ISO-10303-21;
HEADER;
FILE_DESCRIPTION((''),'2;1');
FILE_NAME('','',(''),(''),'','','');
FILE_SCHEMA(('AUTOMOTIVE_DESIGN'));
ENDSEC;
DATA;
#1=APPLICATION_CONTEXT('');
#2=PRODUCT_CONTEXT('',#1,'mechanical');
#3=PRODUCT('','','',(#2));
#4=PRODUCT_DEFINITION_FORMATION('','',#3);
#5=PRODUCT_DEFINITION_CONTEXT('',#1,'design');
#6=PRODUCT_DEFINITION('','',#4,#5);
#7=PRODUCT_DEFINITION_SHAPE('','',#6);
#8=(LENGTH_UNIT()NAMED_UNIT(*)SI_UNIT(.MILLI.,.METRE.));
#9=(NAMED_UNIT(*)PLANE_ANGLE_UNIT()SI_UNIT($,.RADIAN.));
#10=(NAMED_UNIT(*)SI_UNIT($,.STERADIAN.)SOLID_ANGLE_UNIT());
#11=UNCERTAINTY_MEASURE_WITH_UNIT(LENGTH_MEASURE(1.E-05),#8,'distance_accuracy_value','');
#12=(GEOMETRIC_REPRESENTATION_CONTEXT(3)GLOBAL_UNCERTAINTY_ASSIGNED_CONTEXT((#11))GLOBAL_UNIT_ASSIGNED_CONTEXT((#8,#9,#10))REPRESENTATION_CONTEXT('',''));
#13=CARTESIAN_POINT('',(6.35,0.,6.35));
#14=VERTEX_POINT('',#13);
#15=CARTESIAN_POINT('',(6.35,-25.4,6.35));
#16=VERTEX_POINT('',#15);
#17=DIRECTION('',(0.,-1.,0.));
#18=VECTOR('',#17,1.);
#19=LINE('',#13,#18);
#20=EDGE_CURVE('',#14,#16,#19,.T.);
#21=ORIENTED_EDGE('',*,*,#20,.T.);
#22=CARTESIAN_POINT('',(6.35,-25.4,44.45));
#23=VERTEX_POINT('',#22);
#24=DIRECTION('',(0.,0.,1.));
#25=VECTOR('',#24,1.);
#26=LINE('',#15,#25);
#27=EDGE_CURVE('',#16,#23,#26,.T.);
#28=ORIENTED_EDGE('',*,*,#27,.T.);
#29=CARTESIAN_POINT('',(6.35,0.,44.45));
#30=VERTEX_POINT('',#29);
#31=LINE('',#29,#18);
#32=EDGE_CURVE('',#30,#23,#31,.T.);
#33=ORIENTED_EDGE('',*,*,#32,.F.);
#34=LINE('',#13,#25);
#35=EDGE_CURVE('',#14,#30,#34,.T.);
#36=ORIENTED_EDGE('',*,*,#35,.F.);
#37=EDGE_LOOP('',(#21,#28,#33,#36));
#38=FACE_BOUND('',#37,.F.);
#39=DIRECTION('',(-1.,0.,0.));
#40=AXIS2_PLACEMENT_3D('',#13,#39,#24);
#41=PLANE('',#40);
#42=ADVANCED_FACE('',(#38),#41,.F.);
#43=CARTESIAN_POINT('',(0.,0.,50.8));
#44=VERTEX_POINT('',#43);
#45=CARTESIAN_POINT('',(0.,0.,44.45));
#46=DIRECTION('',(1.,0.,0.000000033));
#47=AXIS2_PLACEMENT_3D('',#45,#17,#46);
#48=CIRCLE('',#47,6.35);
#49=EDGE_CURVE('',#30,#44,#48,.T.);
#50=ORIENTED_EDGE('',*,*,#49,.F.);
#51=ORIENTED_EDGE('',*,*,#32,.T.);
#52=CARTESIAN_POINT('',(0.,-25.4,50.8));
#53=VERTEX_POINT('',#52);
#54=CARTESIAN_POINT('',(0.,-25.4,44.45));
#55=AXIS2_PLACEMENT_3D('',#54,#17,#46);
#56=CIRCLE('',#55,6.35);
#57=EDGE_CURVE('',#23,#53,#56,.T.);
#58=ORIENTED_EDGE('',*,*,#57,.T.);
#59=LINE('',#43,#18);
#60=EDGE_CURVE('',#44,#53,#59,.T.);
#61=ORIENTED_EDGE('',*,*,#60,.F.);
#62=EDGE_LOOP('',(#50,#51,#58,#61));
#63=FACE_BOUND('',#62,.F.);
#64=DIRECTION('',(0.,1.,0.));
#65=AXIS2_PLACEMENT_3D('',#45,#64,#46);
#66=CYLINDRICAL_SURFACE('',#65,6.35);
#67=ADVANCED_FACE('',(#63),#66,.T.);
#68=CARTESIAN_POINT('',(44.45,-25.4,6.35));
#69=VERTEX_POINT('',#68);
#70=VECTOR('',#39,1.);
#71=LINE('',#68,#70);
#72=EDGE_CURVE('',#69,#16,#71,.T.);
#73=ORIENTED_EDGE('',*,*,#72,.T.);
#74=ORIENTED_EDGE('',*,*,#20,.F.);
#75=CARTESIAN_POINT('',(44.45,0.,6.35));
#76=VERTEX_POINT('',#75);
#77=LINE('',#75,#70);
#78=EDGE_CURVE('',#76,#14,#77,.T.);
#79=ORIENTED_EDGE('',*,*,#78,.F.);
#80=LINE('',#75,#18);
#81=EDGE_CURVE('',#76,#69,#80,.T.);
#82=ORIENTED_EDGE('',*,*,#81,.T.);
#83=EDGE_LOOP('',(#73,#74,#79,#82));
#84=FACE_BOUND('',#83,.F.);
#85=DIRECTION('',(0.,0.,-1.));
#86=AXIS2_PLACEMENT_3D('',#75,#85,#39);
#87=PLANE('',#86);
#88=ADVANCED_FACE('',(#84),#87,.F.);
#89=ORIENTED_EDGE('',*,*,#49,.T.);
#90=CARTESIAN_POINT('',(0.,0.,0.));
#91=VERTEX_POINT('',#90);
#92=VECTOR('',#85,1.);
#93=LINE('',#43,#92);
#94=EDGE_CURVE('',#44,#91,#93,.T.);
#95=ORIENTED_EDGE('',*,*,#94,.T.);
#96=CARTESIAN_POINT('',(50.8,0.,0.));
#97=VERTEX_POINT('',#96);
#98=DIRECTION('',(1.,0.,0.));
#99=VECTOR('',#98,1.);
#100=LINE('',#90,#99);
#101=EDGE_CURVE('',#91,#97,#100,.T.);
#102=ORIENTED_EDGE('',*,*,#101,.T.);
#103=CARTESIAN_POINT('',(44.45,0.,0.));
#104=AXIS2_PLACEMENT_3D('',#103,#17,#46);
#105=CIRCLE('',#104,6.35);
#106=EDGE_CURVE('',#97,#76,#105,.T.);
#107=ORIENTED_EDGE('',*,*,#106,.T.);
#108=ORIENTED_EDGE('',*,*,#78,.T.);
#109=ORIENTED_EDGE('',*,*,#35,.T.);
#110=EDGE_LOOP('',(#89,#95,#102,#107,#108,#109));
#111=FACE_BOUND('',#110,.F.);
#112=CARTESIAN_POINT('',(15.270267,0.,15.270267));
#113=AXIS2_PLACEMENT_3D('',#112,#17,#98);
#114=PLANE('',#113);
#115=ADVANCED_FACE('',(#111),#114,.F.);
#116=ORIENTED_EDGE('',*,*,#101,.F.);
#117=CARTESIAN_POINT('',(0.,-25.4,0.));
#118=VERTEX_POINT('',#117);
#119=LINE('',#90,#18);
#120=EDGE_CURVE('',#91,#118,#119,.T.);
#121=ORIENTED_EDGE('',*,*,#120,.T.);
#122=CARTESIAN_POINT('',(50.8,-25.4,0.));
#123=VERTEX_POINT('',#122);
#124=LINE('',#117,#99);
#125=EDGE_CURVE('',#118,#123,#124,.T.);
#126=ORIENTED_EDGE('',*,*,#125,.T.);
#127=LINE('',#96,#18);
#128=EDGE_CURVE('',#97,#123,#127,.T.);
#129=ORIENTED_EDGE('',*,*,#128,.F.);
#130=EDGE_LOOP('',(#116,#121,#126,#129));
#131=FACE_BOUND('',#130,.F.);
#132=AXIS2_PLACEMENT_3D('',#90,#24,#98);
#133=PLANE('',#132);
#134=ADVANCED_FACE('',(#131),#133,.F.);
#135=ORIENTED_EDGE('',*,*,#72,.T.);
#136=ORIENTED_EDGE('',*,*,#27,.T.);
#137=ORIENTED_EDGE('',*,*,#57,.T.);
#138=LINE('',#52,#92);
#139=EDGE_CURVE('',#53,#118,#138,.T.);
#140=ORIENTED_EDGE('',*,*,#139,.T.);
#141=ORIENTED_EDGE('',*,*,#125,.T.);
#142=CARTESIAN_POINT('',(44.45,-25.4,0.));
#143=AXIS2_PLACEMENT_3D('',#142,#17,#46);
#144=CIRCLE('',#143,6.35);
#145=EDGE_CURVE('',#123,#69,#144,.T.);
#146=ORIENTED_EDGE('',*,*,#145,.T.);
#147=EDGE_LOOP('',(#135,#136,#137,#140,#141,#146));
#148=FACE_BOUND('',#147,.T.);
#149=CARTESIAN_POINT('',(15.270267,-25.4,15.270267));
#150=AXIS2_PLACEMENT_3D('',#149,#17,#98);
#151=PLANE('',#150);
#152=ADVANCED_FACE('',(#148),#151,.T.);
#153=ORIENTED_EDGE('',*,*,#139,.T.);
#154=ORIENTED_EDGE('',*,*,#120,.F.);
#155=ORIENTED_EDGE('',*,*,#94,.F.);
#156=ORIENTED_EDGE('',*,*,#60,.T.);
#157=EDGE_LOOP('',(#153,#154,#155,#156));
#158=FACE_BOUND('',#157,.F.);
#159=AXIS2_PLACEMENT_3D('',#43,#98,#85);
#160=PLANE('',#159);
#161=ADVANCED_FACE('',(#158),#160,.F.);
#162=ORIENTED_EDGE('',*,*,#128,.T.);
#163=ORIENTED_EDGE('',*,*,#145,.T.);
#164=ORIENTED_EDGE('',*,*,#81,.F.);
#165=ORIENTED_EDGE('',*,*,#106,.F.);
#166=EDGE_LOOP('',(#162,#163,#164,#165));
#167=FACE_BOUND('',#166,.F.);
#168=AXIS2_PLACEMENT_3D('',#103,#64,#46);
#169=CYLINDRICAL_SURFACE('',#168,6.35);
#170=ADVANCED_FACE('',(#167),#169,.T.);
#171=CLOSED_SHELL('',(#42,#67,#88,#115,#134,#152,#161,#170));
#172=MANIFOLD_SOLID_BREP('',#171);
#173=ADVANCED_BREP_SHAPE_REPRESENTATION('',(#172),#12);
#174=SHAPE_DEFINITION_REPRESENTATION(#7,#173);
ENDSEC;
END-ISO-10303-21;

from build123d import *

# Parameters (mm, degrees)
F1_DEPTH = 25.4


with BuildPart() as f1:
    # F0 (on Front) → F1 (new body)
    with BuildSketch(Plane.XZ):
        with BuildLine():
            Line((0, 50.8), (0, 0))
            Line((0, 0), (50.8, 0))
            ThreePointArc((50.8, 0), (48.940128, 4.490128), (44.45, 6.35))
            Line((44.45, 6.35), (6.35, 6.35))
            Line((6.35, 6.35), (6.35, 44.45))
            ThreePointArc((6.35, 44.45), (4.490128, 48.940128), (0, 50.8))
        make_face()
    extrude(amount=F1_DEPTH)


solid = f1.part
